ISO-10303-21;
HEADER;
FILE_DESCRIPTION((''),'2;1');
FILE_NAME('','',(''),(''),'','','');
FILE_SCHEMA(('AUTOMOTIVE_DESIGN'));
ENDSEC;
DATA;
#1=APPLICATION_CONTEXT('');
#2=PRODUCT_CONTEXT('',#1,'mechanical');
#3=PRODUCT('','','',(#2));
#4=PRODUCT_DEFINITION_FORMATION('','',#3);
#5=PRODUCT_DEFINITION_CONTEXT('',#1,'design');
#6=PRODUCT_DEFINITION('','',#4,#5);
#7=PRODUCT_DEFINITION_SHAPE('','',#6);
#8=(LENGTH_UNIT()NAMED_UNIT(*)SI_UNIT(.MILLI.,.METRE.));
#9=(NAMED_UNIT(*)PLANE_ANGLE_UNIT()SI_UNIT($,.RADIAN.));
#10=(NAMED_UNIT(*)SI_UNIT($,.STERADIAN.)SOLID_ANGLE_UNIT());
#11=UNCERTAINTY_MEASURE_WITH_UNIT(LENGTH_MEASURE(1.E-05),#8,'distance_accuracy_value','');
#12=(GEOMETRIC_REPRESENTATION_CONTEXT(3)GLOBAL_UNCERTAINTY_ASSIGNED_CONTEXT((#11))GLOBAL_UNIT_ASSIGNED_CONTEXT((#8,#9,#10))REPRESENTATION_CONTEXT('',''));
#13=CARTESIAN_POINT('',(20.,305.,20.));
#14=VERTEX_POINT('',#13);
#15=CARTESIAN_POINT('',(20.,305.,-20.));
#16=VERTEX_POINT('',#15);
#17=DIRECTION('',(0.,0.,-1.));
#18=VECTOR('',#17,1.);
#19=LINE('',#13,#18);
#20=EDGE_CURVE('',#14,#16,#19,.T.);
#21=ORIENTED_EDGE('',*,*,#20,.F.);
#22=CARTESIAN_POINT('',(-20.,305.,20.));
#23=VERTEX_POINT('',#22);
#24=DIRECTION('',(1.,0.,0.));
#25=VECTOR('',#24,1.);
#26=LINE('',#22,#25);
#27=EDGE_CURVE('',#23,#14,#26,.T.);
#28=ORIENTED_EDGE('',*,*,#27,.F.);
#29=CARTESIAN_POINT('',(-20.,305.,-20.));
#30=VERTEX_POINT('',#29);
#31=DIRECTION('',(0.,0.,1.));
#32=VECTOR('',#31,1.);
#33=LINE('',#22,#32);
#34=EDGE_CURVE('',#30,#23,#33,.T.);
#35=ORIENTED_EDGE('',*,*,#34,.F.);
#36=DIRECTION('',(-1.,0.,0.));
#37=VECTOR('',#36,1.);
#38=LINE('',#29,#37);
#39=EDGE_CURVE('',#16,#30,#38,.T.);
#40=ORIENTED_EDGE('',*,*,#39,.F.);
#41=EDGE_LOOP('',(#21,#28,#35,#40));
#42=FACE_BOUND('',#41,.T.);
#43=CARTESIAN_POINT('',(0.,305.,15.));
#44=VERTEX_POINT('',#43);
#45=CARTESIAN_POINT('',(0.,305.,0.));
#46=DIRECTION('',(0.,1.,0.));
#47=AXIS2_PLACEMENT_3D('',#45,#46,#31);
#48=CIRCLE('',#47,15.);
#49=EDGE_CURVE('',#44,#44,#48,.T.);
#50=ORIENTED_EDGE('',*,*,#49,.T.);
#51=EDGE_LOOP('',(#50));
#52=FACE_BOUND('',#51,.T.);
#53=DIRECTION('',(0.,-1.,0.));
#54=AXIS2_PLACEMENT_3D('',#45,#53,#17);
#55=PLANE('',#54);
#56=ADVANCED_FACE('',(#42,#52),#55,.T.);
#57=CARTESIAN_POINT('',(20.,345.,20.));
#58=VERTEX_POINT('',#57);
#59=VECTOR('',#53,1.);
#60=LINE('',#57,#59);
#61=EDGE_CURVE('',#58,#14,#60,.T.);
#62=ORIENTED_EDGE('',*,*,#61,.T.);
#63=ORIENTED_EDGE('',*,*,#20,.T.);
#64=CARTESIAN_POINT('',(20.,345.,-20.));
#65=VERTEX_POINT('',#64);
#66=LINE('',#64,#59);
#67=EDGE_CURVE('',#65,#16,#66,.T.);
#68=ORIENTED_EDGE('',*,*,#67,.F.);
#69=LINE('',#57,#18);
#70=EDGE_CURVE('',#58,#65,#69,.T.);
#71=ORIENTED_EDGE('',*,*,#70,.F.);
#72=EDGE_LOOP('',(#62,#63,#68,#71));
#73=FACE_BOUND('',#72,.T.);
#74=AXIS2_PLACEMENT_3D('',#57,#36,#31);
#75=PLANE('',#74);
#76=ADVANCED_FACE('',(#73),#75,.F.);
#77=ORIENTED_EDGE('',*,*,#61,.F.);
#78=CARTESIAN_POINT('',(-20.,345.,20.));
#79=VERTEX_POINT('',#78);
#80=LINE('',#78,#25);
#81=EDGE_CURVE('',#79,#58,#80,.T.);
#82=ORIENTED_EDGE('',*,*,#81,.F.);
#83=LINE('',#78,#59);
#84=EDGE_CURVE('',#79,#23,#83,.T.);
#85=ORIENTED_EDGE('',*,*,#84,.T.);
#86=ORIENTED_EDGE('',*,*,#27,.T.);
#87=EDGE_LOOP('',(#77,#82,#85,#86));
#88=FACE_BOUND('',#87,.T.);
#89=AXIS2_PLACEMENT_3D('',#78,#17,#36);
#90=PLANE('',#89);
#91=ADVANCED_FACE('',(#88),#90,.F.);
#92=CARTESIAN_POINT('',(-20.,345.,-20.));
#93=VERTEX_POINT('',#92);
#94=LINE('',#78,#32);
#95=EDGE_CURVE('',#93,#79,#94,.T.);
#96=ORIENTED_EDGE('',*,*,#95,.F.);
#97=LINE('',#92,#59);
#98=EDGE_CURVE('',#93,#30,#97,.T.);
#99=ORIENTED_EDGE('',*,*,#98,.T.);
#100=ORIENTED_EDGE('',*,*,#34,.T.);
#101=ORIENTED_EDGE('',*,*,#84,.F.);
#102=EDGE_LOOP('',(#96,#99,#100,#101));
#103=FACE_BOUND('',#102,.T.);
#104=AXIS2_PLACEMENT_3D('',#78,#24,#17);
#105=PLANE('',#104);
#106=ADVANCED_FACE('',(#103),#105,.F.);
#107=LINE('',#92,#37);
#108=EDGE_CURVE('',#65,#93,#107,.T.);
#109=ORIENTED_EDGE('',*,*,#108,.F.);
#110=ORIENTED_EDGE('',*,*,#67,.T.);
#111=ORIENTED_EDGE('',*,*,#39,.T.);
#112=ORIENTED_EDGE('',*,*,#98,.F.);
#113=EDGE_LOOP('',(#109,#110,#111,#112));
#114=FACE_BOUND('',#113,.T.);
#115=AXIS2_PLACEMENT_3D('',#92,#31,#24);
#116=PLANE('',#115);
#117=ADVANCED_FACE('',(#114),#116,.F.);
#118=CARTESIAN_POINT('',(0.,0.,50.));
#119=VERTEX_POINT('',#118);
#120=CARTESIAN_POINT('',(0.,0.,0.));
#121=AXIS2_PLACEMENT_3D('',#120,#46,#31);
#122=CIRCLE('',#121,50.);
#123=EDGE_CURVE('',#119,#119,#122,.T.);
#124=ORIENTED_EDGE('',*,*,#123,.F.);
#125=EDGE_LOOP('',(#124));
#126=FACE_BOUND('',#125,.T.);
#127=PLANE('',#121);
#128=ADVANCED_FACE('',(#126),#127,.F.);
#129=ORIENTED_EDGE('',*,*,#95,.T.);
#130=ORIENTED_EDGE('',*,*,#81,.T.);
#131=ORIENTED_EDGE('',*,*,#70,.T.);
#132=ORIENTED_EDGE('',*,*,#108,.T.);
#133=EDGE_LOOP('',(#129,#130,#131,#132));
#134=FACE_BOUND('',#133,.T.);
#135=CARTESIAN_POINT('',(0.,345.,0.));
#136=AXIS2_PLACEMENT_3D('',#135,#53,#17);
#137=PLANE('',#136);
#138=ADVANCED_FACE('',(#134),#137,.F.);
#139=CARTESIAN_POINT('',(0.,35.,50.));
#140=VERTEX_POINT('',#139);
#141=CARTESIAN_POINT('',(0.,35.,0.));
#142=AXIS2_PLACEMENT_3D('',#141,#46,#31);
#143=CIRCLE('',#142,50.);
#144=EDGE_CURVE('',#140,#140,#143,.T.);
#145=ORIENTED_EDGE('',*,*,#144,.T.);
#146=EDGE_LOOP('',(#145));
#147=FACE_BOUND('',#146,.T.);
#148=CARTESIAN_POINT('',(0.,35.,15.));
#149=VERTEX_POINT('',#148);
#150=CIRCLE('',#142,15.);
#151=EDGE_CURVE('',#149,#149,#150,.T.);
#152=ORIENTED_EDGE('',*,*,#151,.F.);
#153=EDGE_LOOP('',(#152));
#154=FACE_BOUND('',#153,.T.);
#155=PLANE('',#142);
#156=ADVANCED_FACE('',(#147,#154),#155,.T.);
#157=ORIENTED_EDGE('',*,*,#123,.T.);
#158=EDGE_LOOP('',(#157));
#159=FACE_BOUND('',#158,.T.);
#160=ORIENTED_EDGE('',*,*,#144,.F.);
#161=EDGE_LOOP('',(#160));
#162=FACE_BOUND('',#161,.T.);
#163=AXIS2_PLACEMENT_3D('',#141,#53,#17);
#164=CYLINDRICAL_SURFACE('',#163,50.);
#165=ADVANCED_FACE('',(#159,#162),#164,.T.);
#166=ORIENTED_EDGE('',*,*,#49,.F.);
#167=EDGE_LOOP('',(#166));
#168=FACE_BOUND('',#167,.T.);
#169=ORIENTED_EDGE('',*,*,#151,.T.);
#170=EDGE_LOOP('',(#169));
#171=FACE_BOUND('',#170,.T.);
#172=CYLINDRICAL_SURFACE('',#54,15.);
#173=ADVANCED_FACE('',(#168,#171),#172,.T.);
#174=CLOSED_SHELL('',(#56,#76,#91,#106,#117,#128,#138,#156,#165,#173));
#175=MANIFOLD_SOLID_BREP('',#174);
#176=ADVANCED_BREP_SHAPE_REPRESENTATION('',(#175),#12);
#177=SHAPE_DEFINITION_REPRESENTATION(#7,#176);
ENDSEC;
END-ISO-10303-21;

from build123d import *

# Parameters (mm, degrees)
SKETCH1_R           = 50
BOSS_EXTRUDE1_DEPTH = 35
SKETCH2_R           = 15
BOSS_EXTRUDE2_DEPTH = 270
SKETCH3_W           = 40
SKETCH3_H           = 40
BOSS_EXTRUDE3_DEPTH = 40


with BuildPart() as part:
    # Sketch1 → Boss-Extrude1 (new body)
    with BuildSketch(Plane(origin=(0, 0, 0), x_dir=(1, 0, 0), z_dir=(0, 1, 0))):
        Circle(SKETCH1_R)
    extrude(amount=BOSS_EXTRUDE1_DEPTH)

    # Sketch2 → Boss-Extrude2 (add)
    with BuildSketch(Plane(origin=(0, 35, 0), x_dir=(1, 0, 0), z_dir=(0, 1, 0))):
        Circle(SKETCH2_R)
    extrude(amount=BOSS_EXTRUDE2_DEPTH)

    # Sketch3 → Boss-Extrude3 (add)
    with BuildSketch(Plane(origin=(0, 305, 0), x_dir=(1, 0, 0), z_dir=(0, 1, 0))):
        Rectangle(SKETCH3_W, SKETCH3_H)
    extrude(amount=BOSS_EXTRUDE3_DEPTH)


solid = part.part
